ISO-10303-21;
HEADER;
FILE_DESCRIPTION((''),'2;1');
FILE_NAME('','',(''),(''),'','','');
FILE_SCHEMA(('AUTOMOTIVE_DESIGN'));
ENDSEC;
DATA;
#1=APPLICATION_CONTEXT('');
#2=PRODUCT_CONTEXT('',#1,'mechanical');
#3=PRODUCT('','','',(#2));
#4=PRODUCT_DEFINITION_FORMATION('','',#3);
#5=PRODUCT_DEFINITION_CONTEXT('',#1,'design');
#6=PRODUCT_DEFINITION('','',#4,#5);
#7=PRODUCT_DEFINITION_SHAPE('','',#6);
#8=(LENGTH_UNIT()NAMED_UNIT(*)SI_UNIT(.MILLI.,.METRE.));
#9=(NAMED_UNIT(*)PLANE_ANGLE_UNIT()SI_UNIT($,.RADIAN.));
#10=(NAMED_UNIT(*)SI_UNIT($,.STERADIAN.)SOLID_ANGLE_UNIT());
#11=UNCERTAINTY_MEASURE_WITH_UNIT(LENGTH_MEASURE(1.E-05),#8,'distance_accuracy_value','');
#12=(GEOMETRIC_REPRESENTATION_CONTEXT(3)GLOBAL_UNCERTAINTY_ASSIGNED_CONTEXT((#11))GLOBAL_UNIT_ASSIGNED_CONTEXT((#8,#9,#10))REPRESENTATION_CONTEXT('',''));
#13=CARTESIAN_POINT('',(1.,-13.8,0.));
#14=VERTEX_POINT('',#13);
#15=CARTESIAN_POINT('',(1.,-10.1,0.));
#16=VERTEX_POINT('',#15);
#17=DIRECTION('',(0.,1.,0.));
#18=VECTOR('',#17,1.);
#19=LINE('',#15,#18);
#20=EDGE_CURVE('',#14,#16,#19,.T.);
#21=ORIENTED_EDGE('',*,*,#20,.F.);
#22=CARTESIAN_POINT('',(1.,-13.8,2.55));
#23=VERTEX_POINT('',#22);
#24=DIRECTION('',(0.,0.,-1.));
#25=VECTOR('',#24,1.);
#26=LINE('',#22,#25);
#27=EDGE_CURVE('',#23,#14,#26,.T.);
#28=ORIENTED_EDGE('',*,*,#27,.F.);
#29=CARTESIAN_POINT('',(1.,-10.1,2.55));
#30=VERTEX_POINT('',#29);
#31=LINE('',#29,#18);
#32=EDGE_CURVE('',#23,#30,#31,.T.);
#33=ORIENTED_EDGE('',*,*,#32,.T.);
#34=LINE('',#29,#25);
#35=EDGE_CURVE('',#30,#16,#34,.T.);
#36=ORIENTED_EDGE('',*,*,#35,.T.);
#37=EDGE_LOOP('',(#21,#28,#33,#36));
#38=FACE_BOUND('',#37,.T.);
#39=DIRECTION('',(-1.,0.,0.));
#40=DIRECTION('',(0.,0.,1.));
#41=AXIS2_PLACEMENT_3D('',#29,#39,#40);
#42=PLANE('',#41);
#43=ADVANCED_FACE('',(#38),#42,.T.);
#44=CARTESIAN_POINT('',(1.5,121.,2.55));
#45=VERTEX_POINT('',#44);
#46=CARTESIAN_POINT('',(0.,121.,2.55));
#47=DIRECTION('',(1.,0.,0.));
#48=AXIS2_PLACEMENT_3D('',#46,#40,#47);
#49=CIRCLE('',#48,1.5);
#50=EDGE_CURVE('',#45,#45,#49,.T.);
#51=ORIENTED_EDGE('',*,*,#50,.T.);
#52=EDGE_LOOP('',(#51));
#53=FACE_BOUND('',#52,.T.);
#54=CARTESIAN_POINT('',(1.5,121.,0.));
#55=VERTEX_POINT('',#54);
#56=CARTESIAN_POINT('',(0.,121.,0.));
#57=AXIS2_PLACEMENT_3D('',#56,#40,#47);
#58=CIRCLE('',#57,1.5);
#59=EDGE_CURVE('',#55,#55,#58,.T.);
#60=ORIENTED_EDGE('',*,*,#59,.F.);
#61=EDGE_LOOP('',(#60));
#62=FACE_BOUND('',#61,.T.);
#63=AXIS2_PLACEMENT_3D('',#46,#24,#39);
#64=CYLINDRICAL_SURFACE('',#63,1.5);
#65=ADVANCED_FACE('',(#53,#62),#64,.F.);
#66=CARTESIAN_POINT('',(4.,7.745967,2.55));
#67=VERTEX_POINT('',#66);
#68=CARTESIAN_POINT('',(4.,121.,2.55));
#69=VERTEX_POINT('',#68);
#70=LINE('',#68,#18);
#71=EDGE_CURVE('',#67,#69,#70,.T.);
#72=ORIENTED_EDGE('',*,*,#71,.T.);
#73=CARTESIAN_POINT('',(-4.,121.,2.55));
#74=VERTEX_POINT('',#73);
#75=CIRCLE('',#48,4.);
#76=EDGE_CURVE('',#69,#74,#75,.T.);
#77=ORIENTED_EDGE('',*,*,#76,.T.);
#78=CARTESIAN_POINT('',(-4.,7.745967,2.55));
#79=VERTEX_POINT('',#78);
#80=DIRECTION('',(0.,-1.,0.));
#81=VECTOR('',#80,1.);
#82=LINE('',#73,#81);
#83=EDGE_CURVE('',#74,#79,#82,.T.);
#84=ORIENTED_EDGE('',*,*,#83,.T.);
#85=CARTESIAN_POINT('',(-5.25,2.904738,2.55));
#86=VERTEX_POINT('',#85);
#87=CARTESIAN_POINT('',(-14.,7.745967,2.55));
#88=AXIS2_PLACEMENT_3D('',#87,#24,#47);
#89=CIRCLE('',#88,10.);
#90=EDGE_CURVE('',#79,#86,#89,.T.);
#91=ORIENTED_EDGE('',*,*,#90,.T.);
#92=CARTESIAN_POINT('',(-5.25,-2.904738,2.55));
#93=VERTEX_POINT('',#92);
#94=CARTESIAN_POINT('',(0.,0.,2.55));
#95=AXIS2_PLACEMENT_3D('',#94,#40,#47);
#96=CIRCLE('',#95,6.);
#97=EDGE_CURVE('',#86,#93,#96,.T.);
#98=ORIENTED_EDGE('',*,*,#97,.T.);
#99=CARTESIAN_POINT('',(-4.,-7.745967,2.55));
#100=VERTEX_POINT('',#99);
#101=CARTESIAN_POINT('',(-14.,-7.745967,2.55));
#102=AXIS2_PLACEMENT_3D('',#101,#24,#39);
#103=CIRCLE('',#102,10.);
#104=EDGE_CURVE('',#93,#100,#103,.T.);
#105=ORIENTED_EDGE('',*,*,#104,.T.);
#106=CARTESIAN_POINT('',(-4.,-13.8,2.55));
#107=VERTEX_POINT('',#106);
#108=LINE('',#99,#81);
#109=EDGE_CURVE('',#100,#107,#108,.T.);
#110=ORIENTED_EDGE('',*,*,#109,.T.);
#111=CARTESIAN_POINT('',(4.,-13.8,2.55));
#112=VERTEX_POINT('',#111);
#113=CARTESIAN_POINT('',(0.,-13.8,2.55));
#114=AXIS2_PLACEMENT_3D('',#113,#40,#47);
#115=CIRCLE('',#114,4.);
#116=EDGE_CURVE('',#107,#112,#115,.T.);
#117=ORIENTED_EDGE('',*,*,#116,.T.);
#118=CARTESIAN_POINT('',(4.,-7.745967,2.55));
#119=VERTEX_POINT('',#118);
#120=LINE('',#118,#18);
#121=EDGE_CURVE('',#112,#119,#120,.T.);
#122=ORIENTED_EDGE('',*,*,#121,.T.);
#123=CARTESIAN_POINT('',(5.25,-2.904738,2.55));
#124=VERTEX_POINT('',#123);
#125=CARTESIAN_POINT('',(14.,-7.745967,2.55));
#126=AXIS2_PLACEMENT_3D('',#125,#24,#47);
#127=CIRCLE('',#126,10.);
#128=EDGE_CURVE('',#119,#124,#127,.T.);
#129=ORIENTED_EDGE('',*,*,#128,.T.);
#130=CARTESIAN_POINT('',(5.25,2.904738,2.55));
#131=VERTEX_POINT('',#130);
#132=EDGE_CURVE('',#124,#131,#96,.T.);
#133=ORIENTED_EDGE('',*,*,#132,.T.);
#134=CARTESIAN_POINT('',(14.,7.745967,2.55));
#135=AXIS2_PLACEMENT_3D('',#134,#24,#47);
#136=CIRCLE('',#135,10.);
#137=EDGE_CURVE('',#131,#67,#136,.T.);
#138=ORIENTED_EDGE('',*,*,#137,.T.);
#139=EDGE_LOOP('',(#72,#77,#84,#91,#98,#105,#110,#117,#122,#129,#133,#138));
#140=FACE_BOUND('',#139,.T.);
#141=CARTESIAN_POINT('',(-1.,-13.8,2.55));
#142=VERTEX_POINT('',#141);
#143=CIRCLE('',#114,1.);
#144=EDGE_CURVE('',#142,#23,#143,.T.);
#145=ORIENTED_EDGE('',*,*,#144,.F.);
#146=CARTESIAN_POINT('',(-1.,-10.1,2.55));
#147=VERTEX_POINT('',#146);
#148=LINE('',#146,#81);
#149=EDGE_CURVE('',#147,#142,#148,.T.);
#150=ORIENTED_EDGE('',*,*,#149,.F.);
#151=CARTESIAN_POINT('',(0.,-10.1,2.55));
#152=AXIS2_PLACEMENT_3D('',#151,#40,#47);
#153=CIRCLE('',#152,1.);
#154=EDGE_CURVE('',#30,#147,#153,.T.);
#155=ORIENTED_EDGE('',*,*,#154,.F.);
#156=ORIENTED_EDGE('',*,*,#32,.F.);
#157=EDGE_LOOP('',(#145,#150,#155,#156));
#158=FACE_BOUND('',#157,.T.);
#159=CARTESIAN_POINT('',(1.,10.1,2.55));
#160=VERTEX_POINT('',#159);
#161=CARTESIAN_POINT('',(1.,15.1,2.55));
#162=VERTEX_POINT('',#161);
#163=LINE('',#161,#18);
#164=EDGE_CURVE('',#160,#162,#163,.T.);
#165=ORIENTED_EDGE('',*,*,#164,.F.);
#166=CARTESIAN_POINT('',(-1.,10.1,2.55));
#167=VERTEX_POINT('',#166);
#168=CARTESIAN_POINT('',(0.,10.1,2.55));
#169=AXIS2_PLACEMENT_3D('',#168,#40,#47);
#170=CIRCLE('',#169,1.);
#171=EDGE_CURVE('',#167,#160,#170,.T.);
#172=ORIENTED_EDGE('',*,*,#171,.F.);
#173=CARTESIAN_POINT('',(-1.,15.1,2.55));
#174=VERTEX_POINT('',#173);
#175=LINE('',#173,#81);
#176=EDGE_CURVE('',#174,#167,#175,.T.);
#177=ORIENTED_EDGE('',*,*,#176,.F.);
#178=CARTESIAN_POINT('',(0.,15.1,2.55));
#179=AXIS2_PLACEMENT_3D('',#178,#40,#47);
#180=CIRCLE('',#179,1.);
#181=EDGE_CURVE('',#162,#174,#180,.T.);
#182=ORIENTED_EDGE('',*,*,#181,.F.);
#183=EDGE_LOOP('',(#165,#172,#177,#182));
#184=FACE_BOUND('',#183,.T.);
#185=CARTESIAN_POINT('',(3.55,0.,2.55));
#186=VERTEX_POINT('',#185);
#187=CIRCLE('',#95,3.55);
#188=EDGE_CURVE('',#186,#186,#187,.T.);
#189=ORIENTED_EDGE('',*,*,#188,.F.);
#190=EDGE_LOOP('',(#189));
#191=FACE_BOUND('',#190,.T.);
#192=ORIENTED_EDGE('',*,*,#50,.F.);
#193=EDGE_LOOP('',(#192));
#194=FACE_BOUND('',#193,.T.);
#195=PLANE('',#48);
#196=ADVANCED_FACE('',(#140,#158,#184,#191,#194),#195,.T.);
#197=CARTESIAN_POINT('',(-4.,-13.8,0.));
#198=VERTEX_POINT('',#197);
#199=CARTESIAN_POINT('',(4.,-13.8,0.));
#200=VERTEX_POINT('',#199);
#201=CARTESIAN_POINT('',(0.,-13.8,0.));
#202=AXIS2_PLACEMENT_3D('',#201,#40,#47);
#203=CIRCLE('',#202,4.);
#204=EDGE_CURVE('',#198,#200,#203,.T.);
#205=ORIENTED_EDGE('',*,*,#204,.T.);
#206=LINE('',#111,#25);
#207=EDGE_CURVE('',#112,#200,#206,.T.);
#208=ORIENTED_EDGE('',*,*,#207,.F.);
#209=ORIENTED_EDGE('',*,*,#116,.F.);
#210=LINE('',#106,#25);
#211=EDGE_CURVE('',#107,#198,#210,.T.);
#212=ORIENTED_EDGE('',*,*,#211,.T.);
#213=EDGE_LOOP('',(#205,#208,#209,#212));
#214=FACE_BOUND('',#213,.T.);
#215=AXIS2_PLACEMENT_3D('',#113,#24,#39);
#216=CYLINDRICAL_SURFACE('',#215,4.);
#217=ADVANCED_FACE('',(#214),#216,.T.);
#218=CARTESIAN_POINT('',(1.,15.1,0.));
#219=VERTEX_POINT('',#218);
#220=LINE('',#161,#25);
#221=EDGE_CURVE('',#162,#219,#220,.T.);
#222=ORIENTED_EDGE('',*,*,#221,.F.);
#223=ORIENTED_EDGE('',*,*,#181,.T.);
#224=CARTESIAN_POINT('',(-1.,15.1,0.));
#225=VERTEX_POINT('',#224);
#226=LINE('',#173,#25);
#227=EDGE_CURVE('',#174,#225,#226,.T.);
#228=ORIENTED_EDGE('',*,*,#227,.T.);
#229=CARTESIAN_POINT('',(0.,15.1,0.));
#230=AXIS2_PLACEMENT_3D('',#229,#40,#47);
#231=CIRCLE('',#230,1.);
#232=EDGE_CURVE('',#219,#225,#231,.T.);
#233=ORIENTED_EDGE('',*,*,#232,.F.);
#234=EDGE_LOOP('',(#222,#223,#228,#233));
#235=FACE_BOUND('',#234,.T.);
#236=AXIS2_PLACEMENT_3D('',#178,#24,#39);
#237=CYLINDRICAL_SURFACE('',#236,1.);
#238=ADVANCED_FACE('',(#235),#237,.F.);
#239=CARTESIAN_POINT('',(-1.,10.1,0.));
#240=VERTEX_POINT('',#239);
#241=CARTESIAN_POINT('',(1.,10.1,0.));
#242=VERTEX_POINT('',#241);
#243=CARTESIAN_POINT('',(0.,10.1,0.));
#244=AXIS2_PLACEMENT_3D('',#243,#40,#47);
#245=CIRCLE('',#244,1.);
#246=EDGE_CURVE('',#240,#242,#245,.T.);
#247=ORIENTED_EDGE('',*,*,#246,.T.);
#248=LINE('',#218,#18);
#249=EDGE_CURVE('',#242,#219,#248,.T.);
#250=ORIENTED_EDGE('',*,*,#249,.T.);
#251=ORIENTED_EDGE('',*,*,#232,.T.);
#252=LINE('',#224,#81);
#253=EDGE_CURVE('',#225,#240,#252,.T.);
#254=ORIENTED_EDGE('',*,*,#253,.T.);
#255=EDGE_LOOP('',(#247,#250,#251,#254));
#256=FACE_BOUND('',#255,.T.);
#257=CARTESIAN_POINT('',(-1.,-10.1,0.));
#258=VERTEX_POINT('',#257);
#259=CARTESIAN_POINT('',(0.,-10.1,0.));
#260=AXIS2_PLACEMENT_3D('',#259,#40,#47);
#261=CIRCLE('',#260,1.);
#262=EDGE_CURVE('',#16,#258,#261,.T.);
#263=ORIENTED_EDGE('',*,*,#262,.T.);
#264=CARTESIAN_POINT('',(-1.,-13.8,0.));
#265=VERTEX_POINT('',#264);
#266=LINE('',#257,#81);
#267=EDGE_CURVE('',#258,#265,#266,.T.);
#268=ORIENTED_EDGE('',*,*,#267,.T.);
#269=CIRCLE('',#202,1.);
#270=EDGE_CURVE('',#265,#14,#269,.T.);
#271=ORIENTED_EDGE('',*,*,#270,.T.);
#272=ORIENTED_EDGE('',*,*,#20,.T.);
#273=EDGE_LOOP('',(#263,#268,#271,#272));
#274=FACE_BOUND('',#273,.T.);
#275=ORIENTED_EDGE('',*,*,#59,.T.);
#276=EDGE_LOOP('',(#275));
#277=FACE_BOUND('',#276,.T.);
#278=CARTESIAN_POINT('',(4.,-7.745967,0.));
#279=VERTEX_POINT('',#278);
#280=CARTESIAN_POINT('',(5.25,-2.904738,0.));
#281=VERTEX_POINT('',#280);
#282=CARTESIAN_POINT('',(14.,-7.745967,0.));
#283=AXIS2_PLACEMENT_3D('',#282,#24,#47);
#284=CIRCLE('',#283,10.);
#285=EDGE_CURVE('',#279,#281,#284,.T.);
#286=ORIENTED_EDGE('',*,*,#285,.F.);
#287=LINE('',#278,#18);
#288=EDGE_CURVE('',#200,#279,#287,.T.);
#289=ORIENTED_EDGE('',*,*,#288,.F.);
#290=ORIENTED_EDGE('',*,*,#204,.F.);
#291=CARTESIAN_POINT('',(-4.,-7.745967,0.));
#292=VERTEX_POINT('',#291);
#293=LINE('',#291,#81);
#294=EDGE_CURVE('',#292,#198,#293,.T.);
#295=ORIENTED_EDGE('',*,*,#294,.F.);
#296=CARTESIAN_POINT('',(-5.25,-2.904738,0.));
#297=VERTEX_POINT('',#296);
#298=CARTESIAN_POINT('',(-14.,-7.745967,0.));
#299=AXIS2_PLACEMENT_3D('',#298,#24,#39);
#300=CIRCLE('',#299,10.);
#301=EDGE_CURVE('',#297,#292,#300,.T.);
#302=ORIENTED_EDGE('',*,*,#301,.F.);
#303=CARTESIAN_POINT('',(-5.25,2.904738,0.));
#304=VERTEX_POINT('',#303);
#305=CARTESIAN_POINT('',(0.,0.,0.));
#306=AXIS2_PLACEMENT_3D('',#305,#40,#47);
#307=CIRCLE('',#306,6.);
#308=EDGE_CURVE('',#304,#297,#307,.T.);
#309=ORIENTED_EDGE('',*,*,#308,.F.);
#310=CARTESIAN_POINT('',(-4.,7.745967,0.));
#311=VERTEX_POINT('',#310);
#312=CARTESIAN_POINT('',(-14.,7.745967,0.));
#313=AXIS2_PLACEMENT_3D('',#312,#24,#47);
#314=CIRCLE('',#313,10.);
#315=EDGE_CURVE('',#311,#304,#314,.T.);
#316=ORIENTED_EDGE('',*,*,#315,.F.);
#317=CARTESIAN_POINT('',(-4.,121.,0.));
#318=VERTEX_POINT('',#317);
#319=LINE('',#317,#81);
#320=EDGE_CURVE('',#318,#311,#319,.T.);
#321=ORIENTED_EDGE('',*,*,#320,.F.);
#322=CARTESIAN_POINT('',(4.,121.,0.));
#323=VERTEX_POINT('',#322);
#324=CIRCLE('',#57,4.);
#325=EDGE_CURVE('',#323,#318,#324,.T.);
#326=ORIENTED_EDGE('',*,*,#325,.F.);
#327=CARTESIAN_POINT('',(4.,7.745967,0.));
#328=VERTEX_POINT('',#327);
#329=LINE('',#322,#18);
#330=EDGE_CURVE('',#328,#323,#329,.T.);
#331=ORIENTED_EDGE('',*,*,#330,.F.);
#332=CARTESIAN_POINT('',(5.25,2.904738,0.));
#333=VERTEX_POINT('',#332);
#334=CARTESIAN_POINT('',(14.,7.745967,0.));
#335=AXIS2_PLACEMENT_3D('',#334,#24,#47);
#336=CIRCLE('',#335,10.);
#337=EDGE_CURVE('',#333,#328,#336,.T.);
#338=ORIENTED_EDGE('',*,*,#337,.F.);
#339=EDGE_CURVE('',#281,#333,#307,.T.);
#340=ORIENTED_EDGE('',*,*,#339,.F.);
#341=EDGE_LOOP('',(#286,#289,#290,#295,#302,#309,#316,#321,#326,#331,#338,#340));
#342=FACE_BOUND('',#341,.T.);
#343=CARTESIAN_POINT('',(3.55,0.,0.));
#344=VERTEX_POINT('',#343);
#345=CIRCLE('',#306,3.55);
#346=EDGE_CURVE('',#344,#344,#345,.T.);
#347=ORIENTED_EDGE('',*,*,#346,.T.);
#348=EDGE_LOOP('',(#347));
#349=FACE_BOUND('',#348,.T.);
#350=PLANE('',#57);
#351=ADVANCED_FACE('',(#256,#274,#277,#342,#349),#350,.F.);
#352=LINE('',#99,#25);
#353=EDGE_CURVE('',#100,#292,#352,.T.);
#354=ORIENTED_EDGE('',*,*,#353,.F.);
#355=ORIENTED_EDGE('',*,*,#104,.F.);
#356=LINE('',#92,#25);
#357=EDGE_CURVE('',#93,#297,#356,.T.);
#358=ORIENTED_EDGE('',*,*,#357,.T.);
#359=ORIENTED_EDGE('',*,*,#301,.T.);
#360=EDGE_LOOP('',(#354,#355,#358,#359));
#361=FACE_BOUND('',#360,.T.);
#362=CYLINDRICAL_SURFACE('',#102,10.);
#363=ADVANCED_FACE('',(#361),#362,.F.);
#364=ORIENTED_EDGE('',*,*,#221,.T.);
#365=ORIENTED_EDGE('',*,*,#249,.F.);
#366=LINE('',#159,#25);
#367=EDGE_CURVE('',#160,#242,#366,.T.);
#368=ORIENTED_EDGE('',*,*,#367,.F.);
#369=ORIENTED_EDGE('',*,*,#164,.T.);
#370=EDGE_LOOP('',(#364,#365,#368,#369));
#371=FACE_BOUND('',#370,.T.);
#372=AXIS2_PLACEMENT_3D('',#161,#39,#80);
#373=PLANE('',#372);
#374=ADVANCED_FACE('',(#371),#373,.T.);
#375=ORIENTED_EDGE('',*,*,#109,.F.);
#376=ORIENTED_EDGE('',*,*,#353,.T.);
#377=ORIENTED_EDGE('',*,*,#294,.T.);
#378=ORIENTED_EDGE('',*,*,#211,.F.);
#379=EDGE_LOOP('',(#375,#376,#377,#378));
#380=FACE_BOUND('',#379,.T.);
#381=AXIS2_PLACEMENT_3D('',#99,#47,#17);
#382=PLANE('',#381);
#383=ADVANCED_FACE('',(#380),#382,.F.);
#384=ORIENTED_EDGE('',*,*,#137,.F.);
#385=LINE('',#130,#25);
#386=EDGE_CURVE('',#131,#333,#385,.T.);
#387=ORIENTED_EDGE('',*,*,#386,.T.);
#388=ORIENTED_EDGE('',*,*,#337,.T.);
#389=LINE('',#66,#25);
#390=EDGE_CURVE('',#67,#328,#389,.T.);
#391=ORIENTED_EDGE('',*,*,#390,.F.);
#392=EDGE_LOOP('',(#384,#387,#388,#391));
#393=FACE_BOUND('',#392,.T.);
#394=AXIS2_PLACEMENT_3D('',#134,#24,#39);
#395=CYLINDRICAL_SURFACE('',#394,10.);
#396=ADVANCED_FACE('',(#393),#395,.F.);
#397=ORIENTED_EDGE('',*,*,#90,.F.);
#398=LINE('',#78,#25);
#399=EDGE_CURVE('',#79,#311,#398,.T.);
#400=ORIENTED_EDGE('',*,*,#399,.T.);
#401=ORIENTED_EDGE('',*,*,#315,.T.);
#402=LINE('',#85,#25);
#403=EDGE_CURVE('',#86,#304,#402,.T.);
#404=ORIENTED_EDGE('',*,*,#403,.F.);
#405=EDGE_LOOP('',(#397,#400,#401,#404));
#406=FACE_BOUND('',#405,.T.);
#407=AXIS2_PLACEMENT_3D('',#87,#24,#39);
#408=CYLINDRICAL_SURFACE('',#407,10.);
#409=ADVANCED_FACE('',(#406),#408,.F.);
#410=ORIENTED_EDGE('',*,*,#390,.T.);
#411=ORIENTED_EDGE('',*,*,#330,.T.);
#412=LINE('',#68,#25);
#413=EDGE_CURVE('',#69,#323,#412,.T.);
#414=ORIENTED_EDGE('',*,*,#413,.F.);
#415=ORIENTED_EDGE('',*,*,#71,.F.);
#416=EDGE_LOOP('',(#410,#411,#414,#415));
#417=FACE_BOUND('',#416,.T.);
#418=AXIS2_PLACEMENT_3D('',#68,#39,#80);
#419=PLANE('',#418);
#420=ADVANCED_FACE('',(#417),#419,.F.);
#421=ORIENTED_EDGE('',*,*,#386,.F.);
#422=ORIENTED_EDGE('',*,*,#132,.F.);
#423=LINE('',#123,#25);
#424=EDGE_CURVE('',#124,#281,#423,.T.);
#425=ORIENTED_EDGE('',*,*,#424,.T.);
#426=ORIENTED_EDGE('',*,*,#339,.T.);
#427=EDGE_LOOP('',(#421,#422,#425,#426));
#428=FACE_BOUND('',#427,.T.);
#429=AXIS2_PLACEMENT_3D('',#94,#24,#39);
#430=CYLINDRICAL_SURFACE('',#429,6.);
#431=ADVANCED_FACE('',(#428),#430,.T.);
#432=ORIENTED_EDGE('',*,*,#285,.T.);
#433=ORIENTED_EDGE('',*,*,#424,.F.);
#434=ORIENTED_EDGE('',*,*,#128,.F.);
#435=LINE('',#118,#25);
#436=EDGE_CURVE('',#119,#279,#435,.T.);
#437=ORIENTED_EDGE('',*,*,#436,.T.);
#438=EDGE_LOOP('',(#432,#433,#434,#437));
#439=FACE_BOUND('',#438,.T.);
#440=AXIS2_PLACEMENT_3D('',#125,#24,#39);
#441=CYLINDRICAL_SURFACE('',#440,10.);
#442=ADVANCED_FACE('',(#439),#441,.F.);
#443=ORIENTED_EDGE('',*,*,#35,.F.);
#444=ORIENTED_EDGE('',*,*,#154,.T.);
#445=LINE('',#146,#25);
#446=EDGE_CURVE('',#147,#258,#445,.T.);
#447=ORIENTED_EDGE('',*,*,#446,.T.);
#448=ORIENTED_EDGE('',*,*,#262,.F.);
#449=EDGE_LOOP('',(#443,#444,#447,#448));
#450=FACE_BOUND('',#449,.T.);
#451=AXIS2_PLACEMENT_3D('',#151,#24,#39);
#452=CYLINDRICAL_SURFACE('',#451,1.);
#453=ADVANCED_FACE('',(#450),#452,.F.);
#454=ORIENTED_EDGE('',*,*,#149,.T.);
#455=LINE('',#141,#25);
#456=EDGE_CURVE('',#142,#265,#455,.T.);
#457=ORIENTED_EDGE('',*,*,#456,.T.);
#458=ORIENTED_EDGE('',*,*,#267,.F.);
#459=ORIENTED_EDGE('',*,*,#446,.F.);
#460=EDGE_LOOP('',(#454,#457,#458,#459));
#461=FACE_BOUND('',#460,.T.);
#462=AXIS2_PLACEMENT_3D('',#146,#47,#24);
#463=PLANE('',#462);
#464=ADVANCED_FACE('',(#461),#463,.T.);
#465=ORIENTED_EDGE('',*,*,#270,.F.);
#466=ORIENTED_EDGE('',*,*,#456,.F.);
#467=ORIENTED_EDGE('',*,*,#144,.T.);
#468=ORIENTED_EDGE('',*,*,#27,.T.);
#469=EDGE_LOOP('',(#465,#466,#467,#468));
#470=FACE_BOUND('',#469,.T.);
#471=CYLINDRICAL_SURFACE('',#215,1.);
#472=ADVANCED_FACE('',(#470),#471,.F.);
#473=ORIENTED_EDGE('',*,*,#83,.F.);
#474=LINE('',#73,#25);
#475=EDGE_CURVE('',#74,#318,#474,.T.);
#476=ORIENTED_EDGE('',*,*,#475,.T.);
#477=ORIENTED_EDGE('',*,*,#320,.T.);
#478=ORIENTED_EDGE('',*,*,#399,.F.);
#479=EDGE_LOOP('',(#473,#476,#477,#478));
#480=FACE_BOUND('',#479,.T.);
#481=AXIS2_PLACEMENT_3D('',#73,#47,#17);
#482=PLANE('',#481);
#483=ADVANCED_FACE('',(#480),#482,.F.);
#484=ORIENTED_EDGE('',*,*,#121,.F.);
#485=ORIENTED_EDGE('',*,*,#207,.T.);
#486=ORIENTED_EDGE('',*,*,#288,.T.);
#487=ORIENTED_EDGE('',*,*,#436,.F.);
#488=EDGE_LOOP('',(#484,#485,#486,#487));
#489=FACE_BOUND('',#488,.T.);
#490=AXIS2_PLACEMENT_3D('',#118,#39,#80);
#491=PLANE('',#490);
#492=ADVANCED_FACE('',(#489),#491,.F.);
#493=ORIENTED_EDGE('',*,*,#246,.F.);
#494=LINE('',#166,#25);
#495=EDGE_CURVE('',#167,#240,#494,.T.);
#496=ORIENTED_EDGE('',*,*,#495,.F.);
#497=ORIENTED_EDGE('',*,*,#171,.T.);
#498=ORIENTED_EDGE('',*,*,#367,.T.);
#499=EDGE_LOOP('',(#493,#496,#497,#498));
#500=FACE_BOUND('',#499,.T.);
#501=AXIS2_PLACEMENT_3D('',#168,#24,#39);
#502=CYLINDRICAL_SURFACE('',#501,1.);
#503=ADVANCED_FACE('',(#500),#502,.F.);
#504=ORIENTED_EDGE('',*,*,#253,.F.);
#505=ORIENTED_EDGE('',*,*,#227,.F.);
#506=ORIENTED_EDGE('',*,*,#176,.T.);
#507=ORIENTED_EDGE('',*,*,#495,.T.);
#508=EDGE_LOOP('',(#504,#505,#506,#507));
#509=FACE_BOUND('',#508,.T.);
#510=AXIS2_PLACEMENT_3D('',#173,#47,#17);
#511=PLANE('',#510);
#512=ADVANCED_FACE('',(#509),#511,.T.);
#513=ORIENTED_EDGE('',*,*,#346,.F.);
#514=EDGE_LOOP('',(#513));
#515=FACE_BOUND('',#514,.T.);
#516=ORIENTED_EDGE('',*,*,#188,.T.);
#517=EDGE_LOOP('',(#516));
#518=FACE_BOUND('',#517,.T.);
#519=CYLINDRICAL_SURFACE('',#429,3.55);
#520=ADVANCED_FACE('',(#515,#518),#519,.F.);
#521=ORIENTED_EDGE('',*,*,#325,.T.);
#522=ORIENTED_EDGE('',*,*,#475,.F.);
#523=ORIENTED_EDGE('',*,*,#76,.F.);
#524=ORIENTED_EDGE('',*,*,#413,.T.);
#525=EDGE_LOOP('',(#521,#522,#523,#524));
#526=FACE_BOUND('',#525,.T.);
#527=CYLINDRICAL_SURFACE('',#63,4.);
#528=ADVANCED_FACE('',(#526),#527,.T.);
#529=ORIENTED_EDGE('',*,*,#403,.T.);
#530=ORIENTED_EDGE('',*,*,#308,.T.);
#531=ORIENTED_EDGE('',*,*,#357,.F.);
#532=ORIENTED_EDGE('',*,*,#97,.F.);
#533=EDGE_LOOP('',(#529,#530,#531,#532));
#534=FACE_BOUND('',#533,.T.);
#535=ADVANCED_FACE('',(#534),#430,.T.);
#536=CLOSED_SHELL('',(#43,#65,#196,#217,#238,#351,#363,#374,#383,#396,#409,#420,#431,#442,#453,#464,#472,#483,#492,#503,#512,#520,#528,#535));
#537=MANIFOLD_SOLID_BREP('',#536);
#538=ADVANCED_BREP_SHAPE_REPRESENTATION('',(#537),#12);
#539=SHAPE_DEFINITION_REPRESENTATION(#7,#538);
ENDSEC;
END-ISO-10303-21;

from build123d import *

# Parameters (mm, degrees)
MODEL_R             = 3.55
MODEL_R_2           = 1.5
BOSS_EXTRUDE1_DEPTH = 2.55


with BuildPart() as part:
    # Model → Boss-Extrude1 (new body)
    with BuildSketch(Plane.XY):
        with BuildLine():
            Line((-4, 121), (-4, 7.745966692))
            ThreePointArc((-4, 7.745966692), (-4.317541634, 5.245966692), (-5.25, 2.90473751))
            ThreePointArc((-5.25, 2.90473751), (-6, 0), (-5.25, -2.90473751))
            ThreePointArc((-5.25, -2.90473751), (-4.317541634, -5.245966692), (-4, -7.745966692))
            Line((-4, -7.745966692), (-4, -13.8))
            ThreePointArc((-4, -13.8), (0, -17.8), (4, -13.8))
            Line((4, -13.8), (4, -7.745966692))
            ThreePointArc((4, -7.745966692), (4.317541634, -5.245966692), (5.25, -2.90473751))
            ThreePointArc((5.25, -2.90473751), (6, 0), (5.25, 2.90473751))
            ThreePointArc((5.25, 2.90473751), (4.317541634, 5.245966692), (4, 7.745966692))
            Line((4, 7.745966692), (4, 121))
            ThreePointArc((4, 121), (0, 125), (-4, 121))
        make_face()
        Circle(MODEL_R, mode=Mode.SUBTRACT)
        with Locations((0, 121)):
            Circle(MODEL_R_2, mode=Mode.SUBTRACT)
        with BuildLine():
            Line((-1, -10.1), (-1, -13.8))
            ThreePointArc((-1, -13.8), (0, -14.8), (1, -13.8))
            Line((1, -13.8), (1, -10.1))
            ThreePointArc((1, -10.1), (0, -9.1), (-1, -10.1))
        make_face(mode=Mode.SUBTRACT)
        with BuildLine():
            Line((-1, 15.1), (-1, 10.1))
            ThreePointArc((-1, 10.1), (0, 9.1), (1, 10.1))
            Line((1, 10.1), (1, 15.1))
            ThreePointArc((1, 15.1), (0, 16.1), (-1, 15.1))
        make_face(mode=Mode.SUBTRACT)
    extrude(amount=BOSS_EXTRUDE1_DEPTH)


solid = part.part
